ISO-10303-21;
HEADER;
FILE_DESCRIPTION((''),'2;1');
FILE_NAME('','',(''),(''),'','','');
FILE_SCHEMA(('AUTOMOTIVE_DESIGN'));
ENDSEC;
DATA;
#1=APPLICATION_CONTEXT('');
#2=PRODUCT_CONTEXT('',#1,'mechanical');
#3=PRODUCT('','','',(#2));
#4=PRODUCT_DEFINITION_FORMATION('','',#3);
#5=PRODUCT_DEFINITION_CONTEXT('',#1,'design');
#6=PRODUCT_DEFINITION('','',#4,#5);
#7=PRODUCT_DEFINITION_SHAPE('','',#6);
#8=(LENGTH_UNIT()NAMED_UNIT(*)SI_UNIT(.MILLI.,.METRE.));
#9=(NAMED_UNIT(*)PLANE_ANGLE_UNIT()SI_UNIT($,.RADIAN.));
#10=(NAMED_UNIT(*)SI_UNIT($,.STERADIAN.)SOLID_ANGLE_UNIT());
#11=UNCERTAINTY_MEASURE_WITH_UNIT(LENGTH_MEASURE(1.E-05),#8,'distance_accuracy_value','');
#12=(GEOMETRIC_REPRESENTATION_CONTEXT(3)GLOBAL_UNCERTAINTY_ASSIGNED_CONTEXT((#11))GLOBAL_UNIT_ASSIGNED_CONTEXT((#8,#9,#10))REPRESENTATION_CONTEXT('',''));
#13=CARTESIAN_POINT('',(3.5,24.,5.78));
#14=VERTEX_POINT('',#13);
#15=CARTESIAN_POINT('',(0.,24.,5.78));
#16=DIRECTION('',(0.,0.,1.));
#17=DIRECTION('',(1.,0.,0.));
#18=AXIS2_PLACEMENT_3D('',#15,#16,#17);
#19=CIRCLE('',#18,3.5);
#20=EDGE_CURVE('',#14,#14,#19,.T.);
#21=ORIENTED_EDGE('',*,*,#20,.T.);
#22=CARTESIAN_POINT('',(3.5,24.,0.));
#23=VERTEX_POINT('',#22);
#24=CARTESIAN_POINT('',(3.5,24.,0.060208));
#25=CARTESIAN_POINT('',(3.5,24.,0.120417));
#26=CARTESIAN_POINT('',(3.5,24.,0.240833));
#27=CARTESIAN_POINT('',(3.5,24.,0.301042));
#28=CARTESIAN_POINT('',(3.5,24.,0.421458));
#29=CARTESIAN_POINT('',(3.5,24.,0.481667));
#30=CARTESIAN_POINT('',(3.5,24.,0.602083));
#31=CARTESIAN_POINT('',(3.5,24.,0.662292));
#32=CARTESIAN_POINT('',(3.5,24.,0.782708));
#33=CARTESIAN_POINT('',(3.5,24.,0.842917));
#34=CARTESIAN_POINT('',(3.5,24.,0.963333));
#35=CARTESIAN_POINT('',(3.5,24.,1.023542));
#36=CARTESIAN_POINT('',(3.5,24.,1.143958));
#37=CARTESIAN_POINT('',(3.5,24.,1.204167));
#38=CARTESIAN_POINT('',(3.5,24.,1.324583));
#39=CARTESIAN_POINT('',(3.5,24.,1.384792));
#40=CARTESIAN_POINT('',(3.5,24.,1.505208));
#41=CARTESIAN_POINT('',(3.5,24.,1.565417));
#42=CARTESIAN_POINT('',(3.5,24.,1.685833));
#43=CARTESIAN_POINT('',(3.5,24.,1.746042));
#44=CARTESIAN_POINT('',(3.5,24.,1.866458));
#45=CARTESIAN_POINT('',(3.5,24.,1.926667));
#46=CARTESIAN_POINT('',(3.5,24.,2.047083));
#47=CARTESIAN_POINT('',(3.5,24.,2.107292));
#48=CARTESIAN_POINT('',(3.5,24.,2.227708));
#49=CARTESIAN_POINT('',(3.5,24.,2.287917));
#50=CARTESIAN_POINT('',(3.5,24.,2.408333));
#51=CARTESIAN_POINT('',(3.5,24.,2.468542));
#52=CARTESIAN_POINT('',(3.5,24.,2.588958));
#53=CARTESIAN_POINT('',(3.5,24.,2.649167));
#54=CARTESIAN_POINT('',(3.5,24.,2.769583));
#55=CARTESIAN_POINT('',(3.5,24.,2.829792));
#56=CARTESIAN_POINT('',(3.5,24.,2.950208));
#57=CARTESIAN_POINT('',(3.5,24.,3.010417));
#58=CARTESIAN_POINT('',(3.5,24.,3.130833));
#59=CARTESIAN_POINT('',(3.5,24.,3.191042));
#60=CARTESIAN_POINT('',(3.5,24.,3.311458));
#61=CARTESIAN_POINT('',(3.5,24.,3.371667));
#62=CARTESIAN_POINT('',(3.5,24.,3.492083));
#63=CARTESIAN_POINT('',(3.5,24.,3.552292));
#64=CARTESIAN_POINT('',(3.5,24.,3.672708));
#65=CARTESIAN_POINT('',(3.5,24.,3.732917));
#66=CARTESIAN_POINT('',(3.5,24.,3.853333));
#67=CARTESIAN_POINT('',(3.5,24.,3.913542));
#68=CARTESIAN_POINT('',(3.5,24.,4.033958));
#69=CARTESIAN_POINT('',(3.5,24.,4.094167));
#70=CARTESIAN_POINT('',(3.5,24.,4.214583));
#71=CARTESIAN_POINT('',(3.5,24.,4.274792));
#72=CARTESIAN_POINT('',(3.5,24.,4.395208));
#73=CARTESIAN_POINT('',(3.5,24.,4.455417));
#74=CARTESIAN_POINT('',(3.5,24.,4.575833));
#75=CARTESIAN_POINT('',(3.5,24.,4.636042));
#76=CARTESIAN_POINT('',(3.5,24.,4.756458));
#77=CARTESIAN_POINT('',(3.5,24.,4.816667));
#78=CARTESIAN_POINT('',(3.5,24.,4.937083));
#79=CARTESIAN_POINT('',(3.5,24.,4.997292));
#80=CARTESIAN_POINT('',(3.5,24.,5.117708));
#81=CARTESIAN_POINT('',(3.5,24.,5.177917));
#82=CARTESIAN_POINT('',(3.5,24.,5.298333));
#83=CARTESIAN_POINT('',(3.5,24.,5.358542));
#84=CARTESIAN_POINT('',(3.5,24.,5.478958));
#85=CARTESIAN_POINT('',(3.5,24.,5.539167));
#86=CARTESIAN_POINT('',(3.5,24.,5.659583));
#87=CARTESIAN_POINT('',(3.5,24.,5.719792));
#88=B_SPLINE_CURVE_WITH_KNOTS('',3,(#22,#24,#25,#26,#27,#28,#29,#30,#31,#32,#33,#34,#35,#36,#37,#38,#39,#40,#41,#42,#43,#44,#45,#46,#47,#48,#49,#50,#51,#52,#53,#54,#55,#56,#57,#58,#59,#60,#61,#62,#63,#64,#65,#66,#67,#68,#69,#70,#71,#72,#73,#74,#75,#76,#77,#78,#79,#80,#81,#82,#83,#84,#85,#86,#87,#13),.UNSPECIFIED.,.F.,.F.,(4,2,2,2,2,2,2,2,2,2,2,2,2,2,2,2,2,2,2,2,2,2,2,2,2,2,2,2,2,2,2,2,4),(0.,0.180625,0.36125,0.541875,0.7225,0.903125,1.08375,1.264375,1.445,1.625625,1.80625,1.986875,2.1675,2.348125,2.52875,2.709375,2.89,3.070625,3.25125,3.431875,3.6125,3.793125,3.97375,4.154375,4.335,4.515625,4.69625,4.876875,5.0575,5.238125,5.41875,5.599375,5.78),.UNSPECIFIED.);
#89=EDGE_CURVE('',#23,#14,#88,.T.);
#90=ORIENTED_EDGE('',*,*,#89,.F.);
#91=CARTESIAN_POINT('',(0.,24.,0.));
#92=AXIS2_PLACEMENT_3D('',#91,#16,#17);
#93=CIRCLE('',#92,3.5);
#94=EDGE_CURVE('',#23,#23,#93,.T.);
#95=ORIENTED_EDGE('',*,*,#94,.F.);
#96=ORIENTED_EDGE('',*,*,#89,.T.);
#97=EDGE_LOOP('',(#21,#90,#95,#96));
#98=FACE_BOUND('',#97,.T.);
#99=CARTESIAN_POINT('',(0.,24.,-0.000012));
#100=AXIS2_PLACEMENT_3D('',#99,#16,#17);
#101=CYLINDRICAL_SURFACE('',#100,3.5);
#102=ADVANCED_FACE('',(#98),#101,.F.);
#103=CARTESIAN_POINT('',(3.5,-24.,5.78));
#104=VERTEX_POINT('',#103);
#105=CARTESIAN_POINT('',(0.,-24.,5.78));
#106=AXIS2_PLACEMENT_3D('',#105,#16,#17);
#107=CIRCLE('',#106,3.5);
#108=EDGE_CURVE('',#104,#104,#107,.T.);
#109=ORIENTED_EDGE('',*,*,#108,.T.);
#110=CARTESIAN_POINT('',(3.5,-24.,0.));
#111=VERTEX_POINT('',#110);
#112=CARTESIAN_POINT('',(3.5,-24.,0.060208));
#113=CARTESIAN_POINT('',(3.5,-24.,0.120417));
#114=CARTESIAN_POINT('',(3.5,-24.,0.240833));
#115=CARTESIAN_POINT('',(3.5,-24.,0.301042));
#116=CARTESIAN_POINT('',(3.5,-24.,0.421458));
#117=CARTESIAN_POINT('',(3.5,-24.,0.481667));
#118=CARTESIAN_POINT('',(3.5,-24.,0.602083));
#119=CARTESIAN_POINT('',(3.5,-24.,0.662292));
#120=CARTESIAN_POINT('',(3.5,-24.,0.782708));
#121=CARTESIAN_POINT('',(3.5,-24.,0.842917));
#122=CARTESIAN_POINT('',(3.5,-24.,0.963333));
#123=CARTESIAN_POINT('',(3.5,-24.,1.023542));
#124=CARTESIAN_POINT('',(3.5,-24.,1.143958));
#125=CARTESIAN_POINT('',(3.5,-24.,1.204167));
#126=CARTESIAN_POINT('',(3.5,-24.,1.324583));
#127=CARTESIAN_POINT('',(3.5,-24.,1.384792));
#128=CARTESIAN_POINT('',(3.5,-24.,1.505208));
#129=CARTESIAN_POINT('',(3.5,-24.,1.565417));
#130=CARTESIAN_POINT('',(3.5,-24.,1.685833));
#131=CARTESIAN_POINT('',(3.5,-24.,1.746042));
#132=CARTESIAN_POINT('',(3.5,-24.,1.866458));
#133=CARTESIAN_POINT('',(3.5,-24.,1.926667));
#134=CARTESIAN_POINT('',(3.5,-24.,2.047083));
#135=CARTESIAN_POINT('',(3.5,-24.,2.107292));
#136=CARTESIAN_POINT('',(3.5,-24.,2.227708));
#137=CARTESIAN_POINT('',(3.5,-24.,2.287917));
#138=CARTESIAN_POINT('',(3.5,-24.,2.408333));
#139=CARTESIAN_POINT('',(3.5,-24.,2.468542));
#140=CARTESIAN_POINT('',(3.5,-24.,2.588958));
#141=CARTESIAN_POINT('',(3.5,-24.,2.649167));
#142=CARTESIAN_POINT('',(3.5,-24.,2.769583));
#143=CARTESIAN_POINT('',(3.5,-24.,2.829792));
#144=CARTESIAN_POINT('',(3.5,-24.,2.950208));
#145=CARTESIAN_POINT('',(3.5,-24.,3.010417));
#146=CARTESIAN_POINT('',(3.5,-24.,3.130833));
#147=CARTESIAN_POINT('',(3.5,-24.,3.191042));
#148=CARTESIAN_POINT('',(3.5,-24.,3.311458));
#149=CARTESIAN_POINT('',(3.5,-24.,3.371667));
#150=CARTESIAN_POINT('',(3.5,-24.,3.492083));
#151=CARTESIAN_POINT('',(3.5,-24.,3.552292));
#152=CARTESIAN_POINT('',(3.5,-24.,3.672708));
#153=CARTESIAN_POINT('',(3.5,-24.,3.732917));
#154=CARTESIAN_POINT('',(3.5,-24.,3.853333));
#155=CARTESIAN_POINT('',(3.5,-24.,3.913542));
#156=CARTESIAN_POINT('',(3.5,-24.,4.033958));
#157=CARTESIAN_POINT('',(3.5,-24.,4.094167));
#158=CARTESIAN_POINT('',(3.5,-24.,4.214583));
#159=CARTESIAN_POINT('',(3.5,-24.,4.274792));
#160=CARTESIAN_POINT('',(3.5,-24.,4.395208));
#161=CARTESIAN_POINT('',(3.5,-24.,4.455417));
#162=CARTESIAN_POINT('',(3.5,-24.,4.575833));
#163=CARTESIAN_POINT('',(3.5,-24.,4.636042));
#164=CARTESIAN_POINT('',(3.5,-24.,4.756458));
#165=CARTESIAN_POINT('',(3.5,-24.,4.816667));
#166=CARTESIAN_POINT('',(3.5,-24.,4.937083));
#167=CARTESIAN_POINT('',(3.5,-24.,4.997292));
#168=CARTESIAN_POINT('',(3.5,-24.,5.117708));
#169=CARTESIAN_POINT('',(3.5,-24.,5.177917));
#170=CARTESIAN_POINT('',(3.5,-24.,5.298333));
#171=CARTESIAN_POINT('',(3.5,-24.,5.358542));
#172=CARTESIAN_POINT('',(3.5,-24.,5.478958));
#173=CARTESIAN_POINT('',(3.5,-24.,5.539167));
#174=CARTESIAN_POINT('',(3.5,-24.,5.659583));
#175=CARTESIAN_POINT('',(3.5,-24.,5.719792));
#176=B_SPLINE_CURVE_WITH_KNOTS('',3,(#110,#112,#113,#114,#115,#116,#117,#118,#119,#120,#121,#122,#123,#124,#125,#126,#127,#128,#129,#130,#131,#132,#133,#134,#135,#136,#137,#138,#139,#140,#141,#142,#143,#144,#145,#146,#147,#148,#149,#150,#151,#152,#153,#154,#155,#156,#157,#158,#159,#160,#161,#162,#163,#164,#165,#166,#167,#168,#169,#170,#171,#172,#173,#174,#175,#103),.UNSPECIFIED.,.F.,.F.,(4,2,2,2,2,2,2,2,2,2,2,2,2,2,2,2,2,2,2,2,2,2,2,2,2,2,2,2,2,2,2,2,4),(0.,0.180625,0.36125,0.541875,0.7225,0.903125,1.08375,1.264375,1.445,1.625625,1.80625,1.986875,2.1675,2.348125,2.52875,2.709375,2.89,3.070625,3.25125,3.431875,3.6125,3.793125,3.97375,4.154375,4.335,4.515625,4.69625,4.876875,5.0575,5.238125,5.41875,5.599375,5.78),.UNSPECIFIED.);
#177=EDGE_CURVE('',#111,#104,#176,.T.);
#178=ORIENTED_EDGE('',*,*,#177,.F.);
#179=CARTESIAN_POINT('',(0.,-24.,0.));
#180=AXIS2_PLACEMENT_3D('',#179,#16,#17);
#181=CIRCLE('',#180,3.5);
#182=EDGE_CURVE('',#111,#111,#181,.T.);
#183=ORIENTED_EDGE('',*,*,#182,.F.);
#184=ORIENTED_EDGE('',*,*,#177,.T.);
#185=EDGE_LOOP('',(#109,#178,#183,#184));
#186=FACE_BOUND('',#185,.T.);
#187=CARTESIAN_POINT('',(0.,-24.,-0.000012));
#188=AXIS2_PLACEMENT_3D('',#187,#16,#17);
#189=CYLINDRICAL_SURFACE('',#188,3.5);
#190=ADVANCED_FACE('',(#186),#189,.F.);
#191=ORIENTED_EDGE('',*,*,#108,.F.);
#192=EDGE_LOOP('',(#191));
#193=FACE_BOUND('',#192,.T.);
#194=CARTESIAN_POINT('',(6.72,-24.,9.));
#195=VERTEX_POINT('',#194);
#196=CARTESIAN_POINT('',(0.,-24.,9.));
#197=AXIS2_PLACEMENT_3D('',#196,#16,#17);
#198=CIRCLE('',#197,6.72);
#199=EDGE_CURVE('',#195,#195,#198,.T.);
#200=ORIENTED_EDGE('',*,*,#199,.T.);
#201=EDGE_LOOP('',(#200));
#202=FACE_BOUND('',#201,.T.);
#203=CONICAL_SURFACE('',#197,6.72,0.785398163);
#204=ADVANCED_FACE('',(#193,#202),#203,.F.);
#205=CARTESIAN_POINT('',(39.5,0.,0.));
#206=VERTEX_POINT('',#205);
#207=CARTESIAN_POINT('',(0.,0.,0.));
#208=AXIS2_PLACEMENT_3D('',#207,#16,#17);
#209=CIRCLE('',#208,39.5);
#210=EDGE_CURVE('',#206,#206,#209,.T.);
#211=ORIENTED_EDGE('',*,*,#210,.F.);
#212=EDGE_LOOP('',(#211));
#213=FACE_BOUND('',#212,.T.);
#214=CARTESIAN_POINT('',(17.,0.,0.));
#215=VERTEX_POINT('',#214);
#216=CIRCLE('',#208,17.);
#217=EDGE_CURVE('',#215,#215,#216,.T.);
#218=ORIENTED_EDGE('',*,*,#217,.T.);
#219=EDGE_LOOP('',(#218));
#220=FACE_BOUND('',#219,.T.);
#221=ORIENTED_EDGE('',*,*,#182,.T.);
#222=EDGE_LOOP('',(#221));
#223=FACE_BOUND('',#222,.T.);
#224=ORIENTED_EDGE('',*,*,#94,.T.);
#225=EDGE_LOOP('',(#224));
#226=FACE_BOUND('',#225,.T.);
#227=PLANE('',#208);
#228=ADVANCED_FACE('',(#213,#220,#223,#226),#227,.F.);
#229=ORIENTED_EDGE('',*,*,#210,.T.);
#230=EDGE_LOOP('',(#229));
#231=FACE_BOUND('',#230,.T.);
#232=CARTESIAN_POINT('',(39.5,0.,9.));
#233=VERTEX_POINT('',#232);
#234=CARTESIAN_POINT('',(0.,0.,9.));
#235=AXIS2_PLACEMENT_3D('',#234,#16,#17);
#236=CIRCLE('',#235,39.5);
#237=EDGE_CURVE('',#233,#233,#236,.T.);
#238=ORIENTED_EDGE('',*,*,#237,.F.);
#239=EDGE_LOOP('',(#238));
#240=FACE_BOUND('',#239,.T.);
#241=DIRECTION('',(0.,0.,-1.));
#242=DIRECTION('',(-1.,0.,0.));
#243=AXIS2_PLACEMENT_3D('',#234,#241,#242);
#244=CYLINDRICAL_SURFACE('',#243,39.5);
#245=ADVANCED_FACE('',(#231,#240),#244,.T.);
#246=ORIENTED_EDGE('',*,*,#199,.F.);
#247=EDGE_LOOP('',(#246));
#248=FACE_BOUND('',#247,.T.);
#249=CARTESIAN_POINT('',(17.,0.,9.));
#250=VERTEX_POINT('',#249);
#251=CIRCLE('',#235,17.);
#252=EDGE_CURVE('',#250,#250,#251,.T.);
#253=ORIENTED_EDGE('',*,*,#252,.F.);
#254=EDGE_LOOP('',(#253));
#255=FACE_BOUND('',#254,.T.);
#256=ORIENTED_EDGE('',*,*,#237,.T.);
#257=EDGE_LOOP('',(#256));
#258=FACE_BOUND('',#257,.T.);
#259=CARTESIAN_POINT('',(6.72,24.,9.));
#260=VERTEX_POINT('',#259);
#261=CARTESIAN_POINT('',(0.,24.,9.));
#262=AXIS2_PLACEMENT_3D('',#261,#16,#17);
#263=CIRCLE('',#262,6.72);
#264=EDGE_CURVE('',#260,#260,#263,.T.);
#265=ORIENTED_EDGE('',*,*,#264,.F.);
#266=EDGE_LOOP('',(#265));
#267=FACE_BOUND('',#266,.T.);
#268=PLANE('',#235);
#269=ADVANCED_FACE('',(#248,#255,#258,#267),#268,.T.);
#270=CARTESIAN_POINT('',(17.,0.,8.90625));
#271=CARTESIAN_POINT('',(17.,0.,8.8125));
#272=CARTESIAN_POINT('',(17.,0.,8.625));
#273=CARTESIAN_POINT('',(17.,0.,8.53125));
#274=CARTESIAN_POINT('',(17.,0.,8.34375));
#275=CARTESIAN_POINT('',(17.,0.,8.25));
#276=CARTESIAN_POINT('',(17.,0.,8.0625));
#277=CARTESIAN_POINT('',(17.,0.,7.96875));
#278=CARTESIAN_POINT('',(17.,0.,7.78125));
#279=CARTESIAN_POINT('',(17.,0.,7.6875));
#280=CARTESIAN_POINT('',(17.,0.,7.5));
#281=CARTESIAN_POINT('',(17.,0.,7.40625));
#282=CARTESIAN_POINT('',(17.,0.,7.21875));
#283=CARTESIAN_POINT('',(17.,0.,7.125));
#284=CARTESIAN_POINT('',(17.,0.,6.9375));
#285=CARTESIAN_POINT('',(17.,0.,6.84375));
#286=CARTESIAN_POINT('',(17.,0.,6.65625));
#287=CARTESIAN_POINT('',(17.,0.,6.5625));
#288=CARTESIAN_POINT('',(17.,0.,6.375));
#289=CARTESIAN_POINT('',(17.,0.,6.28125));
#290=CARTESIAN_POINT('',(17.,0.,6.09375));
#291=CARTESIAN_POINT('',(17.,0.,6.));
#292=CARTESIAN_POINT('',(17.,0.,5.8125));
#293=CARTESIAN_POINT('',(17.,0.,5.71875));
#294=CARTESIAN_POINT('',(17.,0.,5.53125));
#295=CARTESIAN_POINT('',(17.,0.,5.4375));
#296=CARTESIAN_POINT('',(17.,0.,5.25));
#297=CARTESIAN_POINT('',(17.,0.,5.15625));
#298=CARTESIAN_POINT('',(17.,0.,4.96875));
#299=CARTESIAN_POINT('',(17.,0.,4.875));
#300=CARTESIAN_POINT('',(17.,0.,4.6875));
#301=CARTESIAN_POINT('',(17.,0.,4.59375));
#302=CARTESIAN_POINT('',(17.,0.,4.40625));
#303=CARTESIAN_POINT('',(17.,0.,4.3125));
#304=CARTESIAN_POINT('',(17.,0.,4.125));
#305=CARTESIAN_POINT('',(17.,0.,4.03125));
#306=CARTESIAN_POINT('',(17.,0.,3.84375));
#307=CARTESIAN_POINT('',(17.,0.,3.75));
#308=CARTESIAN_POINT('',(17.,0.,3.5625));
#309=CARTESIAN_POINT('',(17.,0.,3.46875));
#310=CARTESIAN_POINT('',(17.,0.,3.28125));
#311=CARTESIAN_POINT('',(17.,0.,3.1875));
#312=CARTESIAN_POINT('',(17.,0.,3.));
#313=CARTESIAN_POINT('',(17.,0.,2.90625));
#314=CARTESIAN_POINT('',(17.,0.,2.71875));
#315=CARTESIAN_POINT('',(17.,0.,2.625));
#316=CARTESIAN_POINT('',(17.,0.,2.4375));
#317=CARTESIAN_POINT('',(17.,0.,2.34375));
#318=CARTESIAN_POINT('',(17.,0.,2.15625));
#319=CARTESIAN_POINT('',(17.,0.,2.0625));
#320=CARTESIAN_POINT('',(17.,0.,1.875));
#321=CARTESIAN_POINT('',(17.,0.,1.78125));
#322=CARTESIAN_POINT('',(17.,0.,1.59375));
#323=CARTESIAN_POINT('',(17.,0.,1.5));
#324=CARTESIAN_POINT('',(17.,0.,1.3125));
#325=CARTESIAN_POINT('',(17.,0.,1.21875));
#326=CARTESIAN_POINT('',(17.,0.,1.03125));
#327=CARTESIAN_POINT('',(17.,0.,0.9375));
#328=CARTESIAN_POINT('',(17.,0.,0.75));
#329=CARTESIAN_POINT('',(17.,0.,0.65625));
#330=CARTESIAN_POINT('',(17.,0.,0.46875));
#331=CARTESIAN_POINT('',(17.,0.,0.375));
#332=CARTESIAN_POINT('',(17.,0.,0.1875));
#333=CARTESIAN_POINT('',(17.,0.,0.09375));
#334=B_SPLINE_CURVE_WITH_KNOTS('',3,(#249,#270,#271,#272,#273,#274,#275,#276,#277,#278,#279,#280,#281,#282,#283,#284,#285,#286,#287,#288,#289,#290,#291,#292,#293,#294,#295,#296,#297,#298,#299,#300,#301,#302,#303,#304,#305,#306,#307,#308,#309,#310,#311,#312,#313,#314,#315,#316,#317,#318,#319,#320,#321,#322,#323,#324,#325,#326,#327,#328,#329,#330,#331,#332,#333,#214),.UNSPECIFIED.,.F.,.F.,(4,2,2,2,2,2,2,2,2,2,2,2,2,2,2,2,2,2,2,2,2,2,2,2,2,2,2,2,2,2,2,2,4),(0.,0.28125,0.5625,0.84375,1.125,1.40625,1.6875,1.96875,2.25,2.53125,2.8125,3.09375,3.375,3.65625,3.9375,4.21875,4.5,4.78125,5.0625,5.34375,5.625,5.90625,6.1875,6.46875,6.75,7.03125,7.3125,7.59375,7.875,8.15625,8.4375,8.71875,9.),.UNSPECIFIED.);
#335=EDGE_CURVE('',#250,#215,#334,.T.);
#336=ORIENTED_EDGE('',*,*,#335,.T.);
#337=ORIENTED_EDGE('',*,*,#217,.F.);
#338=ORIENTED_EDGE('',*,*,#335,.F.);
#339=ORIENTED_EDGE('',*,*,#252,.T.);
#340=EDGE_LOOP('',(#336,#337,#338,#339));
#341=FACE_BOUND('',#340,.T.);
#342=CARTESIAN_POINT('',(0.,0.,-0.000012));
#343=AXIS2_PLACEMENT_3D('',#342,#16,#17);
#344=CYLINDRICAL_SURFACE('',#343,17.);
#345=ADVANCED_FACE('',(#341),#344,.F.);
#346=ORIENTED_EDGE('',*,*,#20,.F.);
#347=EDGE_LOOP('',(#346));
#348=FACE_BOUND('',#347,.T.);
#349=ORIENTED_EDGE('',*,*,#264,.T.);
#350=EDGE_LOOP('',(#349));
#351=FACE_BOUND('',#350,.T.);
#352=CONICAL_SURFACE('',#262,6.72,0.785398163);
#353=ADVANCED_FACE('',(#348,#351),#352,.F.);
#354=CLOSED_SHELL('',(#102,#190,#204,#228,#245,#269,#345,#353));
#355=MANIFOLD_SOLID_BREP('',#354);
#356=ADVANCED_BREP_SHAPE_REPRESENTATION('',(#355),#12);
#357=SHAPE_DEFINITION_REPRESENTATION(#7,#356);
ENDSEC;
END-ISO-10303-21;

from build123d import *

# Parameters (mm, degrees)
SKETCH_1_R                    = 39.5
EXTRUDE_1_DEPTH               = 9
CUT_EXTRUDE_1_DEPTH           = 57.581799194
CUT_EXTRUDE_1_DEPTH_BACK      = 57.581799194
SKETCH_2_R                    = 17
SKETCH_2_R_2                  = 3.5
SKETCH_3_R                    = 6.72
CUT_EXTRUDE_2_DEPTH           = 3.22
CUT_EXTRUDE_2_DRAFT           = -45
CUT_EXTRUDE_2_PROFILE_2_DEPTH = 3.22
CUT_EXTRUDE_2_PROFILE_2_DRAFT = -45


with BuildPart() as part:
    # ｽｹｯﾁ1 → ﾎﾞｽ - 押し出し1 (new body)
    with BuildSketch(Plane.XY):
        Circle(SKETCH_1_R)
    extrude(amount=EXTRUDE_1_DEPTH)

    # ｽｹｯﾁ2 → ｶｯﾄ - 押し出し1 (cut, two sides: drawn at the far end of the back side and taken through both)
    with BuildSketch(Plane.XY.offset(-CUT_EXTRUDE_1_DEPTH_BACK)):
        Circle(SKETCH_2_R)
        with Locations((0, 24)):
            Circle(SKETCH_2_R_2)
        with Locations((0, -24)):
            Circle(SKETCH_2_R_2)
    extrude(amount=CUT_EXTRUDE_1_DEPTH + CUT_EXTRUDE_1_DEPTH_BACK, mode=Mode.SUBTRACT)


with BuildPart() as cut_extrude_2_tool:
    # ｽｹｯﾁ3 → ｶｯﾄ - 押し出し2 (with draft: the straight prism first)
    with BuildSketch(Plane.XY.offset(9)):
        with Locations((0, 24)):
            Circle(SKETCH_3_R)
    extrude(amount=-CUT_EXTRUDE_2_DEPTH)
    # ｶｯﾄ - 押し出し2: the draft: its side faces are tilted about the plane it starts from
    cut_extrude_2_sides = [cut_extrude_2_tool.faces().sort_by_distance(p)[0] for p in [
        (-6.72, 24, 7.39),
    ]]
    draft(cut_extrude_2_sides, Plane.XY.offset(9), CUT_EXTRUDE_2_DRAFT)


with BuildPart() as part_1:
    add(part.part)

    # ｶｯﾄ - 押し出し2: cut by cut_extrude_2_tool
    add(cut_extrude_2_tool.part, mode=Mode.SUBTRACT)


with BuildPart() as cut_extrude_2_profile_2_tool:
    # ｽｹｯﾁ3 → ｶｯﾄ - 押し出し2 profile 2 (with draft: the straight prism first)
    with BuildSketch(Plane.XY.offset(9)):
        with Locations((0, -24)):
            Circle(SKETCH_3_R)
    extrude(amount=-CUT_EXTRUDE_2_PROFILE_2_DEPTH)
    # ｶｯﾄ - 押し出し2 profile 2: the draft: its side faces are tilted about the plane it starts from
    cut_extrude_2_profile_2_sides = [cut_extrude_2_profile_2_tool.faces().sort_by_distance(p)[0] for p in [
        (-6.72, -24, 7.39),
    ]]
    draft(cut_extrude_2_profile_2_sides, Plane.XY.offset(9), CUT_EXTRUDE_2_PROFILE_2_DRAFT)


with BuildPart() as part_2:
    add(part_1.part)

    # ｶｯﾄ - 押し出し2 profile 2: cut by cut_extrude_2_profile_2_tool
    add(cut_extrude_2_profile_2_tool.part, mode=Mode.SUBTRACT)


solid = part_2.part
